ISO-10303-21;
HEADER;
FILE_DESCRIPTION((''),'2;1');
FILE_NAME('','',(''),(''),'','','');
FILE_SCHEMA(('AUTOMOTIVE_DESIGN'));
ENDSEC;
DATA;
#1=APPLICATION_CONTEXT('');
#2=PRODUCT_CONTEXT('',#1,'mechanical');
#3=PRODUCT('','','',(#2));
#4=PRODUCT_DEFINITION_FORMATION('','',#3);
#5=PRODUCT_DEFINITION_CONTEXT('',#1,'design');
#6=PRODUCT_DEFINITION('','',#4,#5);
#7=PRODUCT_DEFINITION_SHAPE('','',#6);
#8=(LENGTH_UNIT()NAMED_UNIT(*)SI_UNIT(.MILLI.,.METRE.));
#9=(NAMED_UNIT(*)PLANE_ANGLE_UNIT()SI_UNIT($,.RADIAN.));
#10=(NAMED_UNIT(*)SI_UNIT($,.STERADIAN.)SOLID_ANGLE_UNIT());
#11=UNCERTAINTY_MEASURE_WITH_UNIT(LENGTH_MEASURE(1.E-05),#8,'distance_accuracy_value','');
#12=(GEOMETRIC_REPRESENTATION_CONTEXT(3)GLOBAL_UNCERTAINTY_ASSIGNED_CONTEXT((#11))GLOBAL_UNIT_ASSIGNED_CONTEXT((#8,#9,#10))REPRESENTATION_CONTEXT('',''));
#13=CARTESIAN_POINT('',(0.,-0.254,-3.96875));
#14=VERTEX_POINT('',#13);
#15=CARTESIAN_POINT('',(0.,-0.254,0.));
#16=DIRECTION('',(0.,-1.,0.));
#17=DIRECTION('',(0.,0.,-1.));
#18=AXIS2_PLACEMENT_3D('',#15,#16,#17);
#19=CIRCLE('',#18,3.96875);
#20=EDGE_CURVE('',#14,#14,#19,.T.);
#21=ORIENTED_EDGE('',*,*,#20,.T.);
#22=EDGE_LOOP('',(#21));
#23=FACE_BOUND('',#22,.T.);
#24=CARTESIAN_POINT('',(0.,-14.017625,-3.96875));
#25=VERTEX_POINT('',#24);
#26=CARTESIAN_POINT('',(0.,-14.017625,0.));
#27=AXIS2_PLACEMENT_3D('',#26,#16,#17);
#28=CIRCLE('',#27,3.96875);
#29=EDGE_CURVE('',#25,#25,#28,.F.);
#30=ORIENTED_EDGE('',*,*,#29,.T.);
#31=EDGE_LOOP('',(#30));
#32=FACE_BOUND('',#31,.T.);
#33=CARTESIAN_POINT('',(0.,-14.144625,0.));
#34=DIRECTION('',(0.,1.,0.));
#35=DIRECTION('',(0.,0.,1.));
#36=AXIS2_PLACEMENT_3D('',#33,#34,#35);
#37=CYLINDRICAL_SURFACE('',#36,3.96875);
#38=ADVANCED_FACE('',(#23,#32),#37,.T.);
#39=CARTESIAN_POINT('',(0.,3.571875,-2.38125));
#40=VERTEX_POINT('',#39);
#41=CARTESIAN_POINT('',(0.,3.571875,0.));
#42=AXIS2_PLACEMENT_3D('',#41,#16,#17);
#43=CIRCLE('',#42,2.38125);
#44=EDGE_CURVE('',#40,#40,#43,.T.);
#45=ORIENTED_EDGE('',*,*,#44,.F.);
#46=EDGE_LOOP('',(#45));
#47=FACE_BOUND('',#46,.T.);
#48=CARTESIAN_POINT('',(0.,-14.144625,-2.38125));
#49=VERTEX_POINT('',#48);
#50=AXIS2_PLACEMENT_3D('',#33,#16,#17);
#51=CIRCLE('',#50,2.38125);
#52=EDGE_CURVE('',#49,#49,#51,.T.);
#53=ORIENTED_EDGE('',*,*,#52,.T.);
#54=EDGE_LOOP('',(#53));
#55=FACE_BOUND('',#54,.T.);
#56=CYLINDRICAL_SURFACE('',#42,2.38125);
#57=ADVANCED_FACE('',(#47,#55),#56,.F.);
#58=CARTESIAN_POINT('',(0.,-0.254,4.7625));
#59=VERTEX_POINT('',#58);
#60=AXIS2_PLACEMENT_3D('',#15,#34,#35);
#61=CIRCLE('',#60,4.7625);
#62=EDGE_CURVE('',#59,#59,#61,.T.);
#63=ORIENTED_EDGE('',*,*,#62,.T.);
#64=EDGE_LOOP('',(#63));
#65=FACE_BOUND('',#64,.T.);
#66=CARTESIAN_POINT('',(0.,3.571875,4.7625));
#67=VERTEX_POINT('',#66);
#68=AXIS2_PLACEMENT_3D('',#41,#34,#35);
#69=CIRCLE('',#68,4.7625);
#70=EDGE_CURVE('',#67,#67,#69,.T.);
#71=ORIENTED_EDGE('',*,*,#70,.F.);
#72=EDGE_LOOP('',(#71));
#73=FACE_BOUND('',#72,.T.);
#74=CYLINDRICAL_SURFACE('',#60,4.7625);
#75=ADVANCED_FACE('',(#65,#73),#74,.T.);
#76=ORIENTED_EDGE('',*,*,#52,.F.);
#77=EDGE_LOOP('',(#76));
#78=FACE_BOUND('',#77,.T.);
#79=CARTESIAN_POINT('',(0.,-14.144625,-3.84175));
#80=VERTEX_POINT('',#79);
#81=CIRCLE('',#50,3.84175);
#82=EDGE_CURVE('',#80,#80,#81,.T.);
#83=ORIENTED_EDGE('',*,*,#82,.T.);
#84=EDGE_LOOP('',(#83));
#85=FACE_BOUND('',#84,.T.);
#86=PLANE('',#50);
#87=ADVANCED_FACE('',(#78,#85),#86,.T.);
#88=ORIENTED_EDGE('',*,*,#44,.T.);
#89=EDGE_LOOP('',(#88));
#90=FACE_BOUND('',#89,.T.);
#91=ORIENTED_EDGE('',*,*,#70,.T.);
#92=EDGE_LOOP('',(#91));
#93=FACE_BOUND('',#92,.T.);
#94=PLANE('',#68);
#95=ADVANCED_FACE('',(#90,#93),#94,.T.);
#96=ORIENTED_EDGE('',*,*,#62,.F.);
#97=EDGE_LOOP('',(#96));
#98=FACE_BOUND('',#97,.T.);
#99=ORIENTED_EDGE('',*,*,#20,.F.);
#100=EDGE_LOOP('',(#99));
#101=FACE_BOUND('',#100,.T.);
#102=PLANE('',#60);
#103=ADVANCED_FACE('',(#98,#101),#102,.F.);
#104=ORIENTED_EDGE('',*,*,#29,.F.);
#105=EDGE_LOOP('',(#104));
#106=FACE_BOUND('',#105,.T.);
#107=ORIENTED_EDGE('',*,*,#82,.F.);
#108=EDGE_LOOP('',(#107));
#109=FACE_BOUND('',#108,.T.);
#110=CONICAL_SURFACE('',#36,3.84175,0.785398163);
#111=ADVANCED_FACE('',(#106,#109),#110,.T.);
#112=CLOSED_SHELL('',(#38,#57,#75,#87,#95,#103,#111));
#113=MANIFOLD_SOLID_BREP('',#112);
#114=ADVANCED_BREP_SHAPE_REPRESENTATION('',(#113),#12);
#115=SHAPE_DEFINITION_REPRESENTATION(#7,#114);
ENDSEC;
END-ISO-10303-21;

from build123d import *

# Parameters (mm, degrees)
BOSS_EXTRUDE1_DEPTH      = 3.571875
BOSS_EXTRUDE1_DEPTH_BACK = 0.254
SKETCH1_R                = 4.7625
SKETCH2_R                = 3.96875
BOSS_EXTRUDE2_DEPTH      = 13.890625
SKETCH3_R                = 2.38125
CUT_EXTRUDE1_DEPTH       = 19.953553354
CHAMFER1_SIZE            = 0.127


with BuildPart() as part:
    # Sketch1 → Boss-Extrude1 (new, two sides: drawn at the far end of the back side and taken through both)
    with BuildSketch(Plane(origin=(0, 0, 0), x_dir=(1, 0, 0), z_dir=(0, 1, 0)).offset(-BOSS_EXTRUDE1_DEPTH_BACK)):
        with Locations(Location((0, 0, 0), (0, 0, 270))):
            Circle(SKETCH1_R)
    extrude(amount=BOSS_EXTRUDE1_DEPTH + BOSS_EXTRUDE1_DEPTH_BACK)

    # Sketch2 → Boss-Extrude2 (add)
    with BuildSketch(Plane.XZ.offset(0.254)):
        with Locations(Location((0, 0, 0), (0, 0, 270))):
            Circle(SKETCH2_R)
    extrude(amount=BOSS_EXTRUDE2_DEPTH)

    # Sketch3 → Cut-Extrude1 (cut, through all)
    with BuildSketch(Plane.XZ.offset(14.144625)):
        with Locations(Location((0, 0, 0), (0, 0, 270))):
            Circle(SKETCH3_R)
    extrude(amount=-CUT_EXTRUDE1_DEPTH, mode=Mode.SUBTRACT)

    # Chamfer1
    chamfer1_edges = [part.edges().sort_by_distance(p)[0] for p in [
        (0, -14.144625, 3.96875),
    ]]
    chamfer(chamfer1_edges, length=CHAMFER1_SIZE)


solid = part.part
